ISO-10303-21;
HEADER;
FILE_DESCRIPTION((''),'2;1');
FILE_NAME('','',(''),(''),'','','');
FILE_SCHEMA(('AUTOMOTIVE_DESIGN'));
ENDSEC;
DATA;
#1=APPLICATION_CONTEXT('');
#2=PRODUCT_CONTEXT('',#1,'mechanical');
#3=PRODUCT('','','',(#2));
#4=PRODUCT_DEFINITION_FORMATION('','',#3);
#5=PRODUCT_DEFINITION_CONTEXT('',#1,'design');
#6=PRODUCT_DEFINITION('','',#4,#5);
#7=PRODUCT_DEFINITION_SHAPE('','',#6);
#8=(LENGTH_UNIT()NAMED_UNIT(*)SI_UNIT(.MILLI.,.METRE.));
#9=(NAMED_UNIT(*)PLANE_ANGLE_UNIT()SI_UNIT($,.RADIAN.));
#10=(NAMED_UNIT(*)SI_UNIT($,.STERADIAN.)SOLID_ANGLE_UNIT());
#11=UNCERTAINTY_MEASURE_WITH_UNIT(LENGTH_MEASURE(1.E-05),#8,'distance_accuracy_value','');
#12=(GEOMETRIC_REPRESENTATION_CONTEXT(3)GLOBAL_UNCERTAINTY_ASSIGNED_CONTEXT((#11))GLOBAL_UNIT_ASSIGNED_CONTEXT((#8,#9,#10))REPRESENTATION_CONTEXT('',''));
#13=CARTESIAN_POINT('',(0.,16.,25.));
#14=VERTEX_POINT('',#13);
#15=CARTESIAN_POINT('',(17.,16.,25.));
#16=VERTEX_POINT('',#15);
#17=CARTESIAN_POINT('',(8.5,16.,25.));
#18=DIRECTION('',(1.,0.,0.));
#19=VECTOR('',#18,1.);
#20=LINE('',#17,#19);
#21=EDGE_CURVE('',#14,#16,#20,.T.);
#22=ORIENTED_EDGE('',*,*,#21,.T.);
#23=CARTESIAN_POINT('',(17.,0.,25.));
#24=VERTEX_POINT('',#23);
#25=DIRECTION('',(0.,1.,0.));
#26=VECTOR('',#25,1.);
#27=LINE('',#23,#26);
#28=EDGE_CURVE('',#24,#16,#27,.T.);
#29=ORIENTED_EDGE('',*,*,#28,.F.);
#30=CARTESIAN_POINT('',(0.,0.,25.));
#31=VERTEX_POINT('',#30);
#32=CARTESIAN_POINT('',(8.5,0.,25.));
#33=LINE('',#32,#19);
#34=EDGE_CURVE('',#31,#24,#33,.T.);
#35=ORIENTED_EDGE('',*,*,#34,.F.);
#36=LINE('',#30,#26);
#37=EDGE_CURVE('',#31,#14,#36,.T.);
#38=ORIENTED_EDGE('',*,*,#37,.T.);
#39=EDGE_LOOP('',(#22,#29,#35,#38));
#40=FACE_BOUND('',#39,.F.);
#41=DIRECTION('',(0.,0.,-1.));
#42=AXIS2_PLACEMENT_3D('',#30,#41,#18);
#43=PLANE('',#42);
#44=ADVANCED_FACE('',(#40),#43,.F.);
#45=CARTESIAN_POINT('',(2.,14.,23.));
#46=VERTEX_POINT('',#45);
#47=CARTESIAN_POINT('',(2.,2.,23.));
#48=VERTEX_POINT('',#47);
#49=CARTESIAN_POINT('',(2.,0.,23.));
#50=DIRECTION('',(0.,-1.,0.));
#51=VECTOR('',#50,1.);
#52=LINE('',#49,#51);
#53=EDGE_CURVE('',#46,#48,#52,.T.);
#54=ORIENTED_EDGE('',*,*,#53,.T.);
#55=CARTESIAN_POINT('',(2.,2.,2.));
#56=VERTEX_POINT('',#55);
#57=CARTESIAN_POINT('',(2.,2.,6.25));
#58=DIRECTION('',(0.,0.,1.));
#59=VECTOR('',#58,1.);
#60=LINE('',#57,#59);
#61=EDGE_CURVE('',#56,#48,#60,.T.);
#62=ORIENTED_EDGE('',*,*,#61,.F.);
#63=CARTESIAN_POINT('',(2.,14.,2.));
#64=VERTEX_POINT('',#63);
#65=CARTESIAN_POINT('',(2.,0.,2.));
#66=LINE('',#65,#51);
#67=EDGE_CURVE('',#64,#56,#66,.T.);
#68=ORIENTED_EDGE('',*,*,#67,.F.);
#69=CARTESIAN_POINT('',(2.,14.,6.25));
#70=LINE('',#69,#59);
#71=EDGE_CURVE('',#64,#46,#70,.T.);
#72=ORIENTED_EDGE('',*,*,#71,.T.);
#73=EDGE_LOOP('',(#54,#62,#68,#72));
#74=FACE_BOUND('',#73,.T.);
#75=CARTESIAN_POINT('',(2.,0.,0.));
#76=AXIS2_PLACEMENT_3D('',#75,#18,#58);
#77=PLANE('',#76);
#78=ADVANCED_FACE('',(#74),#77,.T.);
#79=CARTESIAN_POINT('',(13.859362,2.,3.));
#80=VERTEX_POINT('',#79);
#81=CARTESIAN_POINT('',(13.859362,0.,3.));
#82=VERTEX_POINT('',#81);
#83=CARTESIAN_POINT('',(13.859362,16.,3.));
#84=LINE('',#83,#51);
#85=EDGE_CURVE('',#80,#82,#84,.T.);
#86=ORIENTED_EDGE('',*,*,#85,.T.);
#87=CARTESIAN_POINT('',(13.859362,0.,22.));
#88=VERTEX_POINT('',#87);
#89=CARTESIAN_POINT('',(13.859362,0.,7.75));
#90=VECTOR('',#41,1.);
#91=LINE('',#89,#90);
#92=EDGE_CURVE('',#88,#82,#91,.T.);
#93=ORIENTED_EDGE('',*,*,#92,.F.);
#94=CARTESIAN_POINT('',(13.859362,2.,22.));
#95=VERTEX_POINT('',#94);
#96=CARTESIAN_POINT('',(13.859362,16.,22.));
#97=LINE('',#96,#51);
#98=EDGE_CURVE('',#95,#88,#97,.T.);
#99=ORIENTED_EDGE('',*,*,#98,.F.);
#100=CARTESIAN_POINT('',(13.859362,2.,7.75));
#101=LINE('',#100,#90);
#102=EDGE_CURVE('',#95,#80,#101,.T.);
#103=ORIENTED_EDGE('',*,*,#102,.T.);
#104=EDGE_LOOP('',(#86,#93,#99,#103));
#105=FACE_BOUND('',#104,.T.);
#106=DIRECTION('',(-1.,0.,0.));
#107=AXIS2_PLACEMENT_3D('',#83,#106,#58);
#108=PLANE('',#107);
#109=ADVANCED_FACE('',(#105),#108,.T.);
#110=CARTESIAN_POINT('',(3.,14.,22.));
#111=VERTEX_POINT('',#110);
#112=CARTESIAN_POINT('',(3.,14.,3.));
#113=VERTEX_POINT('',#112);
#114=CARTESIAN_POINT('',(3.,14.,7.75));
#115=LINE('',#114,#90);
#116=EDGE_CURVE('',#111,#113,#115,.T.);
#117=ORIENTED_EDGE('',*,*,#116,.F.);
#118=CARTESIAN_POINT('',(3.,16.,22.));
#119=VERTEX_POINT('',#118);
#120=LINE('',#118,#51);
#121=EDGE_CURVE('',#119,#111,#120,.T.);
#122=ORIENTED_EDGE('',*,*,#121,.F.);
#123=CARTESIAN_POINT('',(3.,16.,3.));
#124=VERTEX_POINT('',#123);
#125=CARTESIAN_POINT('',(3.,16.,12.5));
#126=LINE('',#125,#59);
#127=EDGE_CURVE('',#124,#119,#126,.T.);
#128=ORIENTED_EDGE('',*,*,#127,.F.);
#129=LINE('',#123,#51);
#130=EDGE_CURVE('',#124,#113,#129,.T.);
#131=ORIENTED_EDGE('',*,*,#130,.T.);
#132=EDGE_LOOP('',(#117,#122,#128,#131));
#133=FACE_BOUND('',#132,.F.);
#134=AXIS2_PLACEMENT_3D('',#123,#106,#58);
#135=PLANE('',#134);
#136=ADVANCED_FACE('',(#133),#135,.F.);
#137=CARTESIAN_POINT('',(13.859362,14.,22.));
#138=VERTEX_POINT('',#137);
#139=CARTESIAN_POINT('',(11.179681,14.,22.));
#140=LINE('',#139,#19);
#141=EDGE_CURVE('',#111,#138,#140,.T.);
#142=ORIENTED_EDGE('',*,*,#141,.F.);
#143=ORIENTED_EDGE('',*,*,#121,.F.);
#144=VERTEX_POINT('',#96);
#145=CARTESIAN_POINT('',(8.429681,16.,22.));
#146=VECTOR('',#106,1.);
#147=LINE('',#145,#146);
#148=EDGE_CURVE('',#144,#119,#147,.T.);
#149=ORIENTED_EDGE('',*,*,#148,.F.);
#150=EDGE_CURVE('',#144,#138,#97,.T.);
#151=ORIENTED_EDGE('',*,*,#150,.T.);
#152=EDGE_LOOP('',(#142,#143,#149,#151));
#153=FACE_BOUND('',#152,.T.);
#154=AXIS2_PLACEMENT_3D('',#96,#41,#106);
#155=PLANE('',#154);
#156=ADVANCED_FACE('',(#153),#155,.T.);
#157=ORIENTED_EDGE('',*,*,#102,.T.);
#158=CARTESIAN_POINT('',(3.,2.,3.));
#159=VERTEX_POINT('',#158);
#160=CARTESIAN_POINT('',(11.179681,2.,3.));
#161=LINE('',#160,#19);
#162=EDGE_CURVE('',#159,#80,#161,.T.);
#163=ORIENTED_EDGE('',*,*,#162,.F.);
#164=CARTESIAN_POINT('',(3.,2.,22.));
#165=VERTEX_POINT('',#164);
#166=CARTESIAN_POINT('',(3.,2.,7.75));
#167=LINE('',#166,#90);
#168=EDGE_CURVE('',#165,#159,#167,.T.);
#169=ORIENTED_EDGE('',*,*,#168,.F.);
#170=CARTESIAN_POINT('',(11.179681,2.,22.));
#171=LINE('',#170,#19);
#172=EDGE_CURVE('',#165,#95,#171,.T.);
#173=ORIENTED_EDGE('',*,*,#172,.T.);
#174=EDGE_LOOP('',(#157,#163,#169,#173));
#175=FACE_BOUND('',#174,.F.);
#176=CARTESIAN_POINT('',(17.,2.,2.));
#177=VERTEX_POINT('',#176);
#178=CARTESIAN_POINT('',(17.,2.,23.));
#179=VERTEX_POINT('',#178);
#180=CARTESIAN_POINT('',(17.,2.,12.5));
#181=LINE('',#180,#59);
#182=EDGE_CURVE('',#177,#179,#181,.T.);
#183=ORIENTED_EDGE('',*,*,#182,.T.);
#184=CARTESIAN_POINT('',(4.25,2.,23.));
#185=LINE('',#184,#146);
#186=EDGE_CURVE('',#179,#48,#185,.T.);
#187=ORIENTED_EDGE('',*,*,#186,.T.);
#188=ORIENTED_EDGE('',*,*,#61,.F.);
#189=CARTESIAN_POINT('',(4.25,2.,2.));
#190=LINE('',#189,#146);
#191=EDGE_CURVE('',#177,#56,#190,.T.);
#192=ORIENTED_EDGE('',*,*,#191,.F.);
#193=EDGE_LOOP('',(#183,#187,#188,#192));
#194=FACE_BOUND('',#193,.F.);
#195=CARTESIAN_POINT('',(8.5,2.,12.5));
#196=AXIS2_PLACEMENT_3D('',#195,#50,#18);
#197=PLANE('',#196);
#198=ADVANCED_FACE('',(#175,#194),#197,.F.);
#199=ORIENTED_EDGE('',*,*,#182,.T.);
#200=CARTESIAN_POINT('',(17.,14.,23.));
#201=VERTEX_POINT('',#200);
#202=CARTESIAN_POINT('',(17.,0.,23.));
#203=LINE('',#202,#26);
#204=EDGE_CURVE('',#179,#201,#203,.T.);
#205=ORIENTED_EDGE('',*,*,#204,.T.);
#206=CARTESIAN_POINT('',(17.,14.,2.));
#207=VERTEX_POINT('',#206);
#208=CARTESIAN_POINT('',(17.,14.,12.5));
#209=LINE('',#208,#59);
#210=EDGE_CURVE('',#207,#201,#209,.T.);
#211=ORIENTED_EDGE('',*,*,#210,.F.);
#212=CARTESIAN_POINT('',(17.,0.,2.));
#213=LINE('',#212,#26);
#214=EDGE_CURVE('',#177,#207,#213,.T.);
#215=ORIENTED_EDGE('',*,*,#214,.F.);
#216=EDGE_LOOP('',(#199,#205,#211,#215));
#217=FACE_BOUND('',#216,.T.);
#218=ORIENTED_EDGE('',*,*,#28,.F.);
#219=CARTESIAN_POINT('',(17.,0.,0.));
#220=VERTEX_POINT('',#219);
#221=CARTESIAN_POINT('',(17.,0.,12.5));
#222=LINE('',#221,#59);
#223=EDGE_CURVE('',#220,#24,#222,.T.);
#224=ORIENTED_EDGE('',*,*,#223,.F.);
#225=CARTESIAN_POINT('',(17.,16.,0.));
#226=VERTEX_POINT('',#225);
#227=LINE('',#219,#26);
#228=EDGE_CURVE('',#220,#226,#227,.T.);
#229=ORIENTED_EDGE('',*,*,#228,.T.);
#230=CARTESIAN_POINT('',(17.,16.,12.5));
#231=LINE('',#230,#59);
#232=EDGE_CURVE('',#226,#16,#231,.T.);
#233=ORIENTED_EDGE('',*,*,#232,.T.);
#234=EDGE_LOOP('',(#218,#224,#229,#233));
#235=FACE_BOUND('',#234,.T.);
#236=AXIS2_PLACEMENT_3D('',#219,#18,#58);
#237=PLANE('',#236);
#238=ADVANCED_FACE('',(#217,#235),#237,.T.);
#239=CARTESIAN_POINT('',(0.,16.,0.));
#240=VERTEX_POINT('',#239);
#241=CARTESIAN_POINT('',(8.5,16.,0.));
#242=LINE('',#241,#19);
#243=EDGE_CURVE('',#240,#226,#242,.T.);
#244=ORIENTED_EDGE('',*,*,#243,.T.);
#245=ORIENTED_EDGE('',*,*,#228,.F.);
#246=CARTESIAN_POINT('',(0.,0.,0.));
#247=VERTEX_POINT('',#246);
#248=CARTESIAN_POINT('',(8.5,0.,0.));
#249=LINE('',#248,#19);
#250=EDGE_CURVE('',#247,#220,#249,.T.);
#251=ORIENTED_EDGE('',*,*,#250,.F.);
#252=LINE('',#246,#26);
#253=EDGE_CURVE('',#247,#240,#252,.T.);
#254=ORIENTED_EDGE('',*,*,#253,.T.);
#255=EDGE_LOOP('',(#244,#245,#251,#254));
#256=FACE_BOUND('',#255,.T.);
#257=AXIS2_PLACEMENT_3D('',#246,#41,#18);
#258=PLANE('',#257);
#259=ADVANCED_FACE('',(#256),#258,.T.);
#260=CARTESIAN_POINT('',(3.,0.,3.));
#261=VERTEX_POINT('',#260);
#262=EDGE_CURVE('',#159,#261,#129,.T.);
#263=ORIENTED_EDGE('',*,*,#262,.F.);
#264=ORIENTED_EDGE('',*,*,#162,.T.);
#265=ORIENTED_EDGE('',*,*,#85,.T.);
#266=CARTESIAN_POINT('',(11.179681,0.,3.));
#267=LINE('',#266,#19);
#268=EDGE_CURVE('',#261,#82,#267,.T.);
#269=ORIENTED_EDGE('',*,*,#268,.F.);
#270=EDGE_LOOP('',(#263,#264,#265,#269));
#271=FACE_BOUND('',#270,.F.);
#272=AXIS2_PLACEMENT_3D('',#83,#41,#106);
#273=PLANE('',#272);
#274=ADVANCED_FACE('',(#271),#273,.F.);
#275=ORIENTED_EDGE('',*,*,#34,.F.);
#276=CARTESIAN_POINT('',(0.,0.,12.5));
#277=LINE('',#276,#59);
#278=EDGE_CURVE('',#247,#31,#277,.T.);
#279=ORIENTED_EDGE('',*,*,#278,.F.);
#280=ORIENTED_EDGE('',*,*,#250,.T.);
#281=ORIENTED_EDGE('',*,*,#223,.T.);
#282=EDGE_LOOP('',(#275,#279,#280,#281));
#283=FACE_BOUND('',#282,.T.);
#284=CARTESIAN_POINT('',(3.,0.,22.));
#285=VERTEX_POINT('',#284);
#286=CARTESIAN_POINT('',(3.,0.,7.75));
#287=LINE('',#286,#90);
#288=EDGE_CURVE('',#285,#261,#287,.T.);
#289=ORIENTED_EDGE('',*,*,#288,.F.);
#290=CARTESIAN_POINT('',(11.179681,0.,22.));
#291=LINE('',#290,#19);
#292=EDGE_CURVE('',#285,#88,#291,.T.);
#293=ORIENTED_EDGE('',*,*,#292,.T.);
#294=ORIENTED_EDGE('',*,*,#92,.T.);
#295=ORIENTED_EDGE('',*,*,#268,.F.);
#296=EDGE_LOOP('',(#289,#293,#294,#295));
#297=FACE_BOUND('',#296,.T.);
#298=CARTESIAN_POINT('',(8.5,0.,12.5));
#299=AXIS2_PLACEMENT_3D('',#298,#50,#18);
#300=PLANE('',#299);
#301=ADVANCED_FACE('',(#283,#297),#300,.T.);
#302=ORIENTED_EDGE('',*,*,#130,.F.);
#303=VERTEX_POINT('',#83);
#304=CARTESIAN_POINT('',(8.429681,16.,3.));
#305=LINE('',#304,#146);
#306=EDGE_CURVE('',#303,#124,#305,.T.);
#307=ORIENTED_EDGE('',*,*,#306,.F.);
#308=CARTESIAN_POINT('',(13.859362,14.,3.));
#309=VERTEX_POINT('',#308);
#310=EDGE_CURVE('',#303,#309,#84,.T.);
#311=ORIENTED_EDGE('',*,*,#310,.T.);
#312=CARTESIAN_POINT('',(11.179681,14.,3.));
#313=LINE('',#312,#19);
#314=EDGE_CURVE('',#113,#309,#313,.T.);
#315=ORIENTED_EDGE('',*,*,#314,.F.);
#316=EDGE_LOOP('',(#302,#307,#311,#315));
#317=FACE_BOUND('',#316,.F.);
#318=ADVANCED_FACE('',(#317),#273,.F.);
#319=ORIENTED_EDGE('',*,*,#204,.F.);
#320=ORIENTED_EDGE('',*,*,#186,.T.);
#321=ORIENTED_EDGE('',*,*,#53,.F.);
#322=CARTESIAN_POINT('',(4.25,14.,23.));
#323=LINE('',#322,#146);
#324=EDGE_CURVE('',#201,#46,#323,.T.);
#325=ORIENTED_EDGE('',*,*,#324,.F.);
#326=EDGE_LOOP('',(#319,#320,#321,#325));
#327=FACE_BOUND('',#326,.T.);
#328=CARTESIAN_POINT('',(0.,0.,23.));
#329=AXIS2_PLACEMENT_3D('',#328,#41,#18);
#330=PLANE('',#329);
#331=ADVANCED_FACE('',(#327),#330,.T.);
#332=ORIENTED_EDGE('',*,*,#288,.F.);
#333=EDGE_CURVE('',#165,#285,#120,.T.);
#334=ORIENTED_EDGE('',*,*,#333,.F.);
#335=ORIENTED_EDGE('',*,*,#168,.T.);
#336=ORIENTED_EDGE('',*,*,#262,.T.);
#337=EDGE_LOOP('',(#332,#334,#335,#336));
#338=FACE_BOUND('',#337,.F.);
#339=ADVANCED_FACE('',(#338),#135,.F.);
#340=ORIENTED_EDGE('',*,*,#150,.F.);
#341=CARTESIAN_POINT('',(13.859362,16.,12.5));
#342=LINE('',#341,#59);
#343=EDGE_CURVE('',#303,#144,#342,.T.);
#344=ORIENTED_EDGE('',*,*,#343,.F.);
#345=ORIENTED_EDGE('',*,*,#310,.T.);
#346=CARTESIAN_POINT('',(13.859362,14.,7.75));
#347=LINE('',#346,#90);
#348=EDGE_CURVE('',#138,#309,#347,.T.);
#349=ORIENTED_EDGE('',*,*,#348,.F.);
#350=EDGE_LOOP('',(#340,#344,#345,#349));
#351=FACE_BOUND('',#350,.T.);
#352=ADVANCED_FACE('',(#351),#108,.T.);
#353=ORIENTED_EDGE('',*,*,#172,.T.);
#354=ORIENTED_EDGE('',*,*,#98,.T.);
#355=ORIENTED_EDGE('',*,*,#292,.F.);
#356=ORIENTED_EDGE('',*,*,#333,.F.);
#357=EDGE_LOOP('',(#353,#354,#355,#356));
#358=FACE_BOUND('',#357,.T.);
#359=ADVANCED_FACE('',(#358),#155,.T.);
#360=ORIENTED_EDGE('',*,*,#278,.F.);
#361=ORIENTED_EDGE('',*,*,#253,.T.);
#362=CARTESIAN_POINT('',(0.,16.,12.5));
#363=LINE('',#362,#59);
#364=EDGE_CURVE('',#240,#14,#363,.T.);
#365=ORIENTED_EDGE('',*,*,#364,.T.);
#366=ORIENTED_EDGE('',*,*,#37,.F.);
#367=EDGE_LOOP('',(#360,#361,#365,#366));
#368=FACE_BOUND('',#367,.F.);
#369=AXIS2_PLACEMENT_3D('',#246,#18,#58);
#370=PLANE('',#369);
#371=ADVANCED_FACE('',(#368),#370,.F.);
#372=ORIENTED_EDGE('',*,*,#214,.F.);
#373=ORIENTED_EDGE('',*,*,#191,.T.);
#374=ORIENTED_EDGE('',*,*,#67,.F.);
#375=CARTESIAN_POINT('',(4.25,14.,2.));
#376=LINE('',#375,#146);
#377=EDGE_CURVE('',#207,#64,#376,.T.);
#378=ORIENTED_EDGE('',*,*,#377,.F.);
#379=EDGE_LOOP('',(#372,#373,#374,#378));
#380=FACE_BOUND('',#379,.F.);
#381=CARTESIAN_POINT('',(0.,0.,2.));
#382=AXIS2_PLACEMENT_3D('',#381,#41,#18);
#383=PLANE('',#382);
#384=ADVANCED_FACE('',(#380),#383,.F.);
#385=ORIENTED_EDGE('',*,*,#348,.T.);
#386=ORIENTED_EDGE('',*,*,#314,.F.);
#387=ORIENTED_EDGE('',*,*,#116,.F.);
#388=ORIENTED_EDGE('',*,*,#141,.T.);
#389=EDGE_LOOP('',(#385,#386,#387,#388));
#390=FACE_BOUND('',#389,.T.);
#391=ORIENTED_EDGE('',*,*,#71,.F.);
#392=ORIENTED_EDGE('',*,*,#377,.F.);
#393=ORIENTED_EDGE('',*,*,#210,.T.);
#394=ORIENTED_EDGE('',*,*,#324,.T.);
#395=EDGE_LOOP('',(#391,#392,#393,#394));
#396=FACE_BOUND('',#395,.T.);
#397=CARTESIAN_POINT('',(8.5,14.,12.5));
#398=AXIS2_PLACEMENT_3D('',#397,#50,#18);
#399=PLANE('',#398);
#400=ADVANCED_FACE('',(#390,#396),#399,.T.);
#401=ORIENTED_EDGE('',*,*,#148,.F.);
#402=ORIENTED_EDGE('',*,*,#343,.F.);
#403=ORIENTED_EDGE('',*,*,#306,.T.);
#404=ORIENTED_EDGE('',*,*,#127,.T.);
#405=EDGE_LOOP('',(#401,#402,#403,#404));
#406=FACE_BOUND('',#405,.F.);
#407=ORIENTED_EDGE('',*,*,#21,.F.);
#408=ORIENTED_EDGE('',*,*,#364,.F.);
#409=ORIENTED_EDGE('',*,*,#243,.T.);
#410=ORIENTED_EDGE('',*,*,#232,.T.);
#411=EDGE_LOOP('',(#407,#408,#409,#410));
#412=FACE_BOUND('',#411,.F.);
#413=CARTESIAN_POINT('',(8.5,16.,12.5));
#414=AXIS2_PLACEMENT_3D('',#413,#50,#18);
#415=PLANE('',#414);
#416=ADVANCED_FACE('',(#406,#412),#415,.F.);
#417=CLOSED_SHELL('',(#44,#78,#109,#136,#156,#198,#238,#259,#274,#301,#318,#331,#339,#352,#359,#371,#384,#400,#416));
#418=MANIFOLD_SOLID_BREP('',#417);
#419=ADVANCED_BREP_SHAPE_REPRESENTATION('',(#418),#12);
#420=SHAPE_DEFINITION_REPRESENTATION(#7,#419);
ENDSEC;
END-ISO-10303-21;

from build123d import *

# Parameters (mm, degrees)
F0_W     = 17
F0_H     = 25
F1_DEPTH = 16
F2_T     = -2
F3_W     = 10.859362
F3_H     = 19
F4_DEPTH = 16.001


with BuildPart() as f1:
    # F0 (on Front) → F1 (new body)
    with BuildSketch(Plane.XZ):
        with Locations((8.5, 12.5)):
            Rectangle(F0_W, F0_H)
    extrude(amount=-F1_DEPTH)

    # F2
    f2_openings = [f1.faces().sort_by_distance(p)[0] for p in [
        (17, 8, 12.5),
    ]]
    offset(amount=F2_T, openings=f2_openings)

    # F3 (on face) → F4 (cut, through all)
    with BuildSketch(Plane(origin=(0, 16, 0), x_dir=(-1, 0, 0), z_dir=(0, 1, 0))):
        with Locations((-8.429681, 12.5)):
            Rectangle(F3_W, F3_H)
    extrude(amount=-F4_DEPTH, mode=Mode.SUBTRACT)


solid = f1.part
